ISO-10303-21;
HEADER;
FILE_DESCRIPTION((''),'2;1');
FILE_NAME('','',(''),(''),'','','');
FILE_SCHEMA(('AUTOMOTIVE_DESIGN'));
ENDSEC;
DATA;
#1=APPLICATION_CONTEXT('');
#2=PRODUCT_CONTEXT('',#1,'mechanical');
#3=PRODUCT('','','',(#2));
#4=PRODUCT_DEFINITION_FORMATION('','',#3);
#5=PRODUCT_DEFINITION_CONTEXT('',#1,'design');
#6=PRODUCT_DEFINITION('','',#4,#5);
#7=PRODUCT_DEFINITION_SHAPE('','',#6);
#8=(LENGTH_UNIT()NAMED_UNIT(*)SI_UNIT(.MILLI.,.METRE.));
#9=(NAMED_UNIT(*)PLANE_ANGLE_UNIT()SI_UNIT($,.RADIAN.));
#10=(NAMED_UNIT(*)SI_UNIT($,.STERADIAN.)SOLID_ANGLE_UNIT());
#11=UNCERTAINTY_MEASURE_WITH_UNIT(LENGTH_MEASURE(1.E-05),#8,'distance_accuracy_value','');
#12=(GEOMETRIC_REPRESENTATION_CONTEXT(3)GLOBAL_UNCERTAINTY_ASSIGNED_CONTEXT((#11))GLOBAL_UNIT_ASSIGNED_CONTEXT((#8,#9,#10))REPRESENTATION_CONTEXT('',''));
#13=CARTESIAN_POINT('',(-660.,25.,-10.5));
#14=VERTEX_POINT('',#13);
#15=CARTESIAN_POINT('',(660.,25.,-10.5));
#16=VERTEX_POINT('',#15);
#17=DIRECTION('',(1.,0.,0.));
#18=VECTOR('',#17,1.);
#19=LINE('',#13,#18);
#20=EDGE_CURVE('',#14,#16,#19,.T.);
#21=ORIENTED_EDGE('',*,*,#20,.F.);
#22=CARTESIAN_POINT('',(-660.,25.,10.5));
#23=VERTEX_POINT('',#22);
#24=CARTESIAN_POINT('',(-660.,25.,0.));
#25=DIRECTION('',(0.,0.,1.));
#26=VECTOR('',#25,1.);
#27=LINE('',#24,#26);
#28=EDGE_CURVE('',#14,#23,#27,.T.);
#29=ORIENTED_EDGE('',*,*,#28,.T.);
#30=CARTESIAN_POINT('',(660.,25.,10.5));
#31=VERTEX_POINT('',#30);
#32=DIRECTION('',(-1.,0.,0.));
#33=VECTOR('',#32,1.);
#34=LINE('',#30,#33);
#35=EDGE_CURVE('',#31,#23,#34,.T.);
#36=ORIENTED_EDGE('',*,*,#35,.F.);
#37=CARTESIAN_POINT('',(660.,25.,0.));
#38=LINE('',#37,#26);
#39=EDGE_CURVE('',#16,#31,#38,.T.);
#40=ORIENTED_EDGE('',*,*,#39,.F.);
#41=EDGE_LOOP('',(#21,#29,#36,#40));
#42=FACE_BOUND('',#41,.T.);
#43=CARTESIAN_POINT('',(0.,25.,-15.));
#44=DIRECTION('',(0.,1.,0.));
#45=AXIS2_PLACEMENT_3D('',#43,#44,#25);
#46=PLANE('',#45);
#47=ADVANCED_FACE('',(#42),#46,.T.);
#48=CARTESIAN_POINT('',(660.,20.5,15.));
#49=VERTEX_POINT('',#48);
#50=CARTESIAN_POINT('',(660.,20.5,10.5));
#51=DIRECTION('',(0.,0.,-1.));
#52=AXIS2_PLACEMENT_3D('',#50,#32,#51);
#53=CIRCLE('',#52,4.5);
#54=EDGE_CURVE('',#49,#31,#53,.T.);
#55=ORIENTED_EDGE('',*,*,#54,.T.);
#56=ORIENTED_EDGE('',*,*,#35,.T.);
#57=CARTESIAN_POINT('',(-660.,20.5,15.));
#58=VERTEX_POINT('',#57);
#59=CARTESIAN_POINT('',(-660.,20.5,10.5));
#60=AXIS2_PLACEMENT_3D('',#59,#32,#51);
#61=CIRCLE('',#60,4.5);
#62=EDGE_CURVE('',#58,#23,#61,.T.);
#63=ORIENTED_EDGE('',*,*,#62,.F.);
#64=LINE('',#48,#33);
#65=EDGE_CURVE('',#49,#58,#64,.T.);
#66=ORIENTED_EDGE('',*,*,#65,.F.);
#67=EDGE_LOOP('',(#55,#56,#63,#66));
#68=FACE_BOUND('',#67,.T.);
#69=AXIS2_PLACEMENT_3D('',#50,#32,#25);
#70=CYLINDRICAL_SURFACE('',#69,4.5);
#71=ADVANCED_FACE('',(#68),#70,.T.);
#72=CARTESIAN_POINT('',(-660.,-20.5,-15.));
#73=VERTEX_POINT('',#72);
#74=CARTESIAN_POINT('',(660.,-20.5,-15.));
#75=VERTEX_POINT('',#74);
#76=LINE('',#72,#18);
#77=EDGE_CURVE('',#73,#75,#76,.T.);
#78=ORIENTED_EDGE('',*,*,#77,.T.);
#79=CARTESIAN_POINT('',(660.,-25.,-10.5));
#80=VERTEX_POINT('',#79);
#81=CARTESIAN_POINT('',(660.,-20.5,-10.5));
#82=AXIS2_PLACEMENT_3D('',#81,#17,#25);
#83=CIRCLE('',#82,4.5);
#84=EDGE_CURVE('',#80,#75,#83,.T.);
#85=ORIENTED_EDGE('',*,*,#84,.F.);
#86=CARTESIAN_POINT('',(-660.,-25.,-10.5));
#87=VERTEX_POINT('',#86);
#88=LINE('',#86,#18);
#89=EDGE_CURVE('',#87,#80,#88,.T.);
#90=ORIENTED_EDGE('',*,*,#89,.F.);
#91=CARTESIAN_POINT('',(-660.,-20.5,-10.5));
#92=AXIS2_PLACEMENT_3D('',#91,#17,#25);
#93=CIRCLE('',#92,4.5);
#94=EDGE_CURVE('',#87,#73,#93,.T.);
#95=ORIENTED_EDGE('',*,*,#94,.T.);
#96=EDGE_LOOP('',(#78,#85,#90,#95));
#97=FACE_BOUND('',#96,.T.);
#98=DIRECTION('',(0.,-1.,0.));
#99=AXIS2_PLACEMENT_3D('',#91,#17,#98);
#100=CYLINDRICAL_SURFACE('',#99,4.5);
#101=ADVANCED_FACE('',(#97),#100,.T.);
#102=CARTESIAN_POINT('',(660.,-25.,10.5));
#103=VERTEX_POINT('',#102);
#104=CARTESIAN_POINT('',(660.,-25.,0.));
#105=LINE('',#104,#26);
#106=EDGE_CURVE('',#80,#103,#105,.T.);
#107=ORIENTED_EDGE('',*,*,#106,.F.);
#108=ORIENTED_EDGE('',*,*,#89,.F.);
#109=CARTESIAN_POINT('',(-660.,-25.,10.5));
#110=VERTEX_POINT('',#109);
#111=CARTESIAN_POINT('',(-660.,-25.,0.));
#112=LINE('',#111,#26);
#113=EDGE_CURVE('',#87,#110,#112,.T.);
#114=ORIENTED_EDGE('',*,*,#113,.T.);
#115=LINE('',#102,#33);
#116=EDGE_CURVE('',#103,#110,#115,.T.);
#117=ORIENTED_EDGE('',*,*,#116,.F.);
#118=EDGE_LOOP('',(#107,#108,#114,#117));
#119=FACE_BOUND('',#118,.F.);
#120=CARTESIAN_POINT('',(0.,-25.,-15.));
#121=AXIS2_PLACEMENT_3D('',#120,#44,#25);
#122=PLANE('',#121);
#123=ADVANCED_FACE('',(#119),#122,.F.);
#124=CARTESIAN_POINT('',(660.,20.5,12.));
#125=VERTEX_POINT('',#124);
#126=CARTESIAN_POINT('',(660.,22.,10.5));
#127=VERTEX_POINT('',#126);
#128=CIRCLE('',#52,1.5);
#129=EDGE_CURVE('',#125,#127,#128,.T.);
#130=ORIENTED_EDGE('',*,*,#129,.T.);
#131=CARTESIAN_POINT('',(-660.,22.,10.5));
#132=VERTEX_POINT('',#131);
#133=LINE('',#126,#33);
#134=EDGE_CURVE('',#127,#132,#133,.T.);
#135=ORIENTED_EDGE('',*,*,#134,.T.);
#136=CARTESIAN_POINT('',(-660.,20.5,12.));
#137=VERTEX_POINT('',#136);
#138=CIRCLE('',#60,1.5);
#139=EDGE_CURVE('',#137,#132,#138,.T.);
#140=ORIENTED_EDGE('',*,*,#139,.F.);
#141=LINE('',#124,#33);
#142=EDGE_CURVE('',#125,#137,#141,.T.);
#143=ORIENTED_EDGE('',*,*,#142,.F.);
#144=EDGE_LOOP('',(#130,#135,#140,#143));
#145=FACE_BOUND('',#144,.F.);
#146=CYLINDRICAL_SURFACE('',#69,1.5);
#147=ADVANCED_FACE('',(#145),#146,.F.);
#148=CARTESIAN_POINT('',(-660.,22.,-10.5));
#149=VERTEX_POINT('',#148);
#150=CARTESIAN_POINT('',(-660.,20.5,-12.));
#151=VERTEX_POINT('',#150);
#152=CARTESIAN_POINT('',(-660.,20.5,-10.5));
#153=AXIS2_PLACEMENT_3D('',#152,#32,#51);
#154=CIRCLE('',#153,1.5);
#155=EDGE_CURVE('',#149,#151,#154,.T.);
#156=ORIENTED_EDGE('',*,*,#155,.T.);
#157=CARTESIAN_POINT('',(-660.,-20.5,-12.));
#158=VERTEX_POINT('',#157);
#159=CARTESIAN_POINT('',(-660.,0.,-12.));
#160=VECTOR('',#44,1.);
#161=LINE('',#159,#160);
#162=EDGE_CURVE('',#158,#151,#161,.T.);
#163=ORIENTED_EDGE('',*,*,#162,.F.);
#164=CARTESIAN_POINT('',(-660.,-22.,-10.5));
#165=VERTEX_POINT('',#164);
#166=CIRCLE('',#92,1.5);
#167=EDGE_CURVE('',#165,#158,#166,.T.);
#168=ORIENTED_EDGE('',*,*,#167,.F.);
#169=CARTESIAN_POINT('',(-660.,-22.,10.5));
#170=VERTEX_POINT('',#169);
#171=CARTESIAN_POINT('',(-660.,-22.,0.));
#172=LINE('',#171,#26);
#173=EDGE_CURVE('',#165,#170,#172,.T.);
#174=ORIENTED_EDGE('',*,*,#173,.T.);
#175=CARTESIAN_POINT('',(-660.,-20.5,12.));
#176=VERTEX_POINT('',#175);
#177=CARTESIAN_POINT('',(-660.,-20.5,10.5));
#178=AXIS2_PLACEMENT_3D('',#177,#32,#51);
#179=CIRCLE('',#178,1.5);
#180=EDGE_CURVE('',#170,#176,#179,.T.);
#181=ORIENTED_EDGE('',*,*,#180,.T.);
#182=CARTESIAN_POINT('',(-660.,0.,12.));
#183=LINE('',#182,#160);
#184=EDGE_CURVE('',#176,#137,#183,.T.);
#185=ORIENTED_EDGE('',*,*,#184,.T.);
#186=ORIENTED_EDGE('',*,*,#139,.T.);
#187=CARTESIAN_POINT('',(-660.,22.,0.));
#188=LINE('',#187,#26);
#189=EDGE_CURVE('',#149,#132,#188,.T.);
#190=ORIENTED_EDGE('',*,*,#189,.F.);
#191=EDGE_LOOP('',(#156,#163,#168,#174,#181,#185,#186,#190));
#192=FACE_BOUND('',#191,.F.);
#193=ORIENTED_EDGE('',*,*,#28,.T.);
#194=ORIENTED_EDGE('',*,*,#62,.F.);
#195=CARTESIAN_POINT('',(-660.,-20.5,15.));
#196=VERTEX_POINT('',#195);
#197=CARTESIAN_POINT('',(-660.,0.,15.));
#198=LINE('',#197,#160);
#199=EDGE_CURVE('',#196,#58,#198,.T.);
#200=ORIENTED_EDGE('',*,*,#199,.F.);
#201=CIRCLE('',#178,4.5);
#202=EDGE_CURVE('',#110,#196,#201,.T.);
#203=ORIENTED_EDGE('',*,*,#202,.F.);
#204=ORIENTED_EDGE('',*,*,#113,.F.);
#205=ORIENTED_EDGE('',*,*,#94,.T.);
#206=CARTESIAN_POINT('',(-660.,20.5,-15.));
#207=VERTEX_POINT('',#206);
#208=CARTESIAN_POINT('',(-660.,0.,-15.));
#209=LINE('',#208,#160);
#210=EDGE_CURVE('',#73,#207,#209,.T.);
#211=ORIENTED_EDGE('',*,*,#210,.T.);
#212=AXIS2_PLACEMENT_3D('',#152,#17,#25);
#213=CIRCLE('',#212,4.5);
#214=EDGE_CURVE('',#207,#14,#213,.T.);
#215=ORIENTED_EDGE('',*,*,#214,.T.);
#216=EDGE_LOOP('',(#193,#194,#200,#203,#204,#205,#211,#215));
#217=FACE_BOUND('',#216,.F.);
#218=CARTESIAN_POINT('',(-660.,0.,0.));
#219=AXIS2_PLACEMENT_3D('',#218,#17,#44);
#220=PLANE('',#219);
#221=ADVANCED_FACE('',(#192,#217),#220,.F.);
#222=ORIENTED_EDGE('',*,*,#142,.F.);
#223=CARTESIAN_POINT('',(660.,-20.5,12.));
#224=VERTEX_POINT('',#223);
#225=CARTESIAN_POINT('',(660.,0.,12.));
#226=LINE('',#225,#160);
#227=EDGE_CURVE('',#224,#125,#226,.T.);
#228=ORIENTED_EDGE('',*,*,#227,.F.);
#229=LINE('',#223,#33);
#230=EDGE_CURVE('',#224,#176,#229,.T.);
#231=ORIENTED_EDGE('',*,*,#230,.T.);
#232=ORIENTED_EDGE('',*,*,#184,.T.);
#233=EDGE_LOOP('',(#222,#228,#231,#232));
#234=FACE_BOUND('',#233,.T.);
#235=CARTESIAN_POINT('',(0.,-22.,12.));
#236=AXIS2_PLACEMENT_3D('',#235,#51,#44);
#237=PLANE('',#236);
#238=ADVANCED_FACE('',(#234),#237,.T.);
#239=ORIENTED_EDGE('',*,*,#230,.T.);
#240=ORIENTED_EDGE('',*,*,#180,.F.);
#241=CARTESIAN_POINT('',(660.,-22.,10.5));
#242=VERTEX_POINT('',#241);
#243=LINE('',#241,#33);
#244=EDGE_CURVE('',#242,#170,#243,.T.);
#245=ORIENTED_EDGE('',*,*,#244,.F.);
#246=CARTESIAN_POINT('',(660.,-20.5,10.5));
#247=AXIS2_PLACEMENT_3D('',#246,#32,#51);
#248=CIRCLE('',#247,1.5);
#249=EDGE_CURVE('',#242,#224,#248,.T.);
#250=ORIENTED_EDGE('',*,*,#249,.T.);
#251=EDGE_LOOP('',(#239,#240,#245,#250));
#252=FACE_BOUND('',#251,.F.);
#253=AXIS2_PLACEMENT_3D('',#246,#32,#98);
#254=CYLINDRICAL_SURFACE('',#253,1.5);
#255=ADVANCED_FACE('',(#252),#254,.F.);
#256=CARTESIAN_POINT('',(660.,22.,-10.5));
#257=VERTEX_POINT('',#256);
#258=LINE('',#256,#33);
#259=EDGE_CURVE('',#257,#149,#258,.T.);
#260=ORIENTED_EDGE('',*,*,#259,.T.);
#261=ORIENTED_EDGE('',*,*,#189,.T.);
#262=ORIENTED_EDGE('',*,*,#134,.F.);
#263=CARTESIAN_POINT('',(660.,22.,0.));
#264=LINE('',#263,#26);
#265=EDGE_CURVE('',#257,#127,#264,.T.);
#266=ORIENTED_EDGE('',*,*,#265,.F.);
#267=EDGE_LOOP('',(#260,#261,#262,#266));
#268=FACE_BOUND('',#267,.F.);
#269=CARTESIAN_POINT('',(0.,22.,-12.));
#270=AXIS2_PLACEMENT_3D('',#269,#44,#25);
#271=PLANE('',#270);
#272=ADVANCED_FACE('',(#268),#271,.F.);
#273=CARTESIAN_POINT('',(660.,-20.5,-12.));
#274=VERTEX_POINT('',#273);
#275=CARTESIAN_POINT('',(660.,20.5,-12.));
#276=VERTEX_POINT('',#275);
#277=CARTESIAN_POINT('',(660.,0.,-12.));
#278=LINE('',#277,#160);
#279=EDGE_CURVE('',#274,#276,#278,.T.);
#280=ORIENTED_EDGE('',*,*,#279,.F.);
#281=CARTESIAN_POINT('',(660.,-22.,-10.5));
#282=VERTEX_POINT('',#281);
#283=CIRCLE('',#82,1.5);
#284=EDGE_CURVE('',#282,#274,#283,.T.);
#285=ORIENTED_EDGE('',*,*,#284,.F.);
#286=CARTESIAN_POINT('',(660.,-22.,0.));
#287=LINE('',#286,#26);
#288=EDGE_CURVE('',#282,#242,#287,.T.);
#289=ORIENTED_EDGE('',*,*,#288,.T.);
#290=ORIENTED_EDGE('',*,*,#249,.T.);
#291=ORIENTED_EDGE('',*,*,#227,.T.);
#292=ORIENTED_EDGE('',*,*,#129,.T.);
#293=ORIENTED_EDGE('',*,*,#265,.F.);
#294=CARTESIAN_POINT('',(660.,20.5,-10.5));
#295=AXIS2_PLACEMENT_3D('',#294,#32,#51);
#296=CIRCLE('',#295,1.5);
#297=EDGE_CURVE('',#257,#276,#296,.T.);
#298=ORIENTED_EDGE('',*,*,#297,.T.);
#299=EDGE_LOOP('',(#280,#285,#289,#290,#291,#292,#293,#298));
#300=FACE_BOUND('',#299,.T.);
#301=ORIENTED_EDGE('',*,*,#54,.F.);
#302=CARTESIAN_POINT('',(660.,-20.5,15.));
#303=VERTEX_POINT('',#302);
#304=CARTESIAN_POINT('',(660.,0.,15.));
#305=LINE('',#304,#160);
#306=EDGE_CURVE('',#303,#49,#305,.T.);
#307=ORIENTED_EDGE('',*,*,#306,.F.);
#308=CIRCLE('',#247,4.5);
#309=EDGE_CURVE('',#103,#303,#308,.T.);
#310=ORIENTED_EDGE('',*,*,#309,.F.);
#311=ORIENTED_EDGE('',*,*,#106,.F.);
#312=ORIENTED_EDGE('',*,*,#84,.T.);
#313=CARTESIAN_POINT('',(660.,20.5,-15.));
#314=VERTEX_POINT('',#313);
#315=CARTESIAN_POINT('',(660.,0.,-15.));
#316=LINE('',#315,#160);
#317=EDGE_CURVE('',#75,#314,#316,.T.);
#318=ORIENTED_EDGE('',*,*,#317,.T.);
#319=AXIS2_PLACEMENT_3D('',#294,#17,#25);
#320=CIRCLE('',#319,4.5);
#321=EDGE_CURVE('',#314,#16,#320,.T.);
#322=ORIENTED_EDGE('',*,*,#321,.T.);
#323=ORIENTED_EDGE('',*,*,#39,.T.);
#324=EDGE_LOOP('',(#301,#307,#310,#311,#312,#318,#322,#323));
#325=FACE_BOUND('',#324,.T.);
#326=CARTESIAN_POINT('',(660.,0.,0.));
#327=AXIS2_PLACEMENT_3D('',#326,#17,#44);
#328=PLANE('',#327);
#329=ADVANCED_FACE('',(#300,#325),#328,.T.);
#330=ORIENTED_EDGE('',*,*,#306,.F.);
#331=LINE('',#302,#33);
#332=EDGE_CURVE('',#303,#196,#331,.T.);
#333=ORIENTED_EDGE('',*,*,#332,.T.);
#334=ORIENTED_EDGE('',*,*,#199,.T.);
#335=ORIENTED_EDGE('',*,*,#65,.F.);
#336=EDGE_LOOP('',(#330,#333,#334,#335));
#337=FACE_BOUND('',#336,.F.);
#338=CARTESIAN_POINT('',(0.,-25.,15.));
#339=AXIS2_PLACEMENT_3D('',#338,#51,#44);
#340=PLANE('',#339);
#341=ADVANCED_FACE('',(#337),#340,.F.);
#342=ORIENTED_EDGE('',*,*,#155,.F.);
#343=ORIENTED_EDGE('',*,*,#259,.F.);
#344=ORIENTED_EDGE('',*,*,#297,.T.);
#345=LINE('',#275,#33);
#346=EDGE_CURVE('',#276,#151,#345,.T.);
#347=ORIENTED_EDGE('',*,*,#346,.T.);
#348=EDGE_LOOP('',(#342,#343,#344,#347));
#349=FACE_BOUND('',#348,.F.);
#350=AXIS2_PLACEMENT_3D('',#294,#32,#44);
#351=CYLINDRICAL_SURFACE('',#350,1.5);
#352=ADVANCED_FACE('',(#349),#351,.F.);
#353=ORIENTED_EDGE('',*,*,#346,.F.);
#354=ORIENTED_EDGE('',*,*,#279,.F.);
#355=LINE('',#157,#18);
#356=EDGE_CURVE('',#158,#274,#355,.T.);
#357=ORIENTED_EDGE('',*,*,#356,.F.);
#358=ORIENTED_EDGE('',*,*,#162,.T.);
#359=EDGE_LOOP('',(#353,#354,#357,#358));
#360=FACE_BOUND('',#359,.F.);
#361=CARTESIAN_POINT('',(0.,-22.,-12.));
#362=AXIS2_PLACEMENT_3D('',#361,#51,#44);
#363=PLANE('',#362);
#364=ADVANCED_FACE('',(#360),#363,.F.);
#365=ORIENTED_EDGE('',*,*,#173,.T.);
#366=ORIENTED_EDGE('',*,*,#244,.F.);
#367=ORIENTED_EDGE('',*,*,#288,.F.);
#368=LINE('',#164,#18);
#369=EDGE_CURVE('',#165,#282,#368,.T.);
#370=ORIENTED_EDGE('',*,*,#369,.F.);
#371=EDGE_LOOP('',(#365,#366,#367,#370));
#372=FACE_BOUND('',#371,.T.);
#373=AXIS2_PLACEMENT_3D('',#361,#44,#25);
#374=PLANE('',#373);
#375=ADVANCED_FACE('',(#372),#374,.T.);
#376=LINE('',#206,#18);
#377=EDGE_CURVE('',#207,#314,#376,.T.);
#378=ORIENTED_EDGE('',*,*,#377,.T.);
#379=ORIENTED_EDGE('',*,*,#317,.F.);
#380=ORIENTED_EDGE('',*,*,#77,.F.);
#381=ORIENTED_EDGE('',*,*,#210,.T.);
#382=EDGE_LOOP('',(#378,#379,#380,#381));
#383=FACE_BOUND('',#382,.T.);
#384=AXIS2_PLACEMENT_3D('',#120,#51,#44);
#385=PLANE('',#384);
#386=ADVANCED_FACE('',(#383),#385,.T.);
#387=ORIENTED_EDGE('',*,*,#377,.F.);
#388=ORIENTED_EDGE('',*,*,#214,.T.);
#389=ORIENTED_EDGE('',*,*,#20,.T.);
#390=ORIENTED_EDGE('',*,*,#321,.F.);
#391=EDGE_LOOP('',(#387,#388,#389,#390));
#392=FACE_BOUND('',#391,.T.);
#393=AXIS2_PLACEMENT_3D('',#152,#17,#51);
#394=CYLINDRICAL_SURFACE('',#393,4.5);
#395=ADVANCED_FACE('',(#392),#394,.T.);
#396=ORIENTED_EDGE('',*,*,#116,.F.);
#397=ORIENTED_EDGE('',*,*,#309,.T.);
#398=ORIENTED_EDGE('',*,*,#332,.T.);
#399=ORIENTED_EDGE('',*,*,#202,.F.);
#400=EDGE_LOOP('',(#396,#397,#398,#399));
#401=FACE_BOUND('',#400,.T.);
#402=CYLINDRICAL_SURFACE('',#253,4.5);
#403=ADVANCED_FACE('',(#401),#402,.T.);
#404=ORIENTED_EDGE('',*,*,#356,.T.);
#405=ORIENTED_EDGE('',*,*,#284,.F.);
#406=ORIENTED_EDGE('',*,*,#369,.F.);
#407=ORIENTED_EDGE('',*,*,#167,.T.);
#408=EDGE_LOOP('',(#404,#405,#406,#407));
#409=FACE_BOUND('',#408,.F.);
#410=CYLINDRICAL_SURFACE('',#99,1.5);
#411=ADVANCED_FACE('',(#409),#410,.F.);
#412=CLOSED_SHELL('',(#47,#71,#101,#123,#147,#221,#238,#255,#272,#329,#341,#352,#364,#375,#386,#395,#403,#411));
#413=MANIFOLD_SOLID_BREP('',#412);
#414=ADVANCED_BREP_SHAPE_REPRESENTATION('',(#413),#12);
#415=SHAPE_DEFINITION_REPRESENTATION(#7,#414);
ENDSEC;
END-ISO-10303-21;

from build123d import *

# Parameters (mm, degrees)
F0_W     = 50
F0_H     = 30
F0_W_2   = 44
F0_H_2   = 24
F1_DEPTH = 660
F2_R     = 1.5
F3_R     = 4.5


with BuildPart() as f1:
    # F0 (on Right) → F1 (new body, symmetric)
    with BuildSketch(Plane.YZ):
        Rectangle(F0_W, F0_H)
        Rectangle(F0_W_2, F0_H_2, mode=Mode.SUBTRACT)
    extrude(amount=F1_DEPTH, both=True)

    # F2
    f2_edges = [f1.edges().sort_by_distance(p)[0] for p in [
        (0, -22, -12),
        (0, -22, 12),
        (0, 22, -12),
        (0, 22, 12),
    ]]
    fillet(f2_edges, radius=F2_R)

    # F3
    f3_edges = [f1.edges().sort_by_distance(p)[0] for p in [
        (0, -25, 15),
        (0, -25, -15),
        (0, 25, -15),
        (0, 25, 15),
    ]]
    fillet(f3_edges, radius=F3_R)


solid = f1.part
